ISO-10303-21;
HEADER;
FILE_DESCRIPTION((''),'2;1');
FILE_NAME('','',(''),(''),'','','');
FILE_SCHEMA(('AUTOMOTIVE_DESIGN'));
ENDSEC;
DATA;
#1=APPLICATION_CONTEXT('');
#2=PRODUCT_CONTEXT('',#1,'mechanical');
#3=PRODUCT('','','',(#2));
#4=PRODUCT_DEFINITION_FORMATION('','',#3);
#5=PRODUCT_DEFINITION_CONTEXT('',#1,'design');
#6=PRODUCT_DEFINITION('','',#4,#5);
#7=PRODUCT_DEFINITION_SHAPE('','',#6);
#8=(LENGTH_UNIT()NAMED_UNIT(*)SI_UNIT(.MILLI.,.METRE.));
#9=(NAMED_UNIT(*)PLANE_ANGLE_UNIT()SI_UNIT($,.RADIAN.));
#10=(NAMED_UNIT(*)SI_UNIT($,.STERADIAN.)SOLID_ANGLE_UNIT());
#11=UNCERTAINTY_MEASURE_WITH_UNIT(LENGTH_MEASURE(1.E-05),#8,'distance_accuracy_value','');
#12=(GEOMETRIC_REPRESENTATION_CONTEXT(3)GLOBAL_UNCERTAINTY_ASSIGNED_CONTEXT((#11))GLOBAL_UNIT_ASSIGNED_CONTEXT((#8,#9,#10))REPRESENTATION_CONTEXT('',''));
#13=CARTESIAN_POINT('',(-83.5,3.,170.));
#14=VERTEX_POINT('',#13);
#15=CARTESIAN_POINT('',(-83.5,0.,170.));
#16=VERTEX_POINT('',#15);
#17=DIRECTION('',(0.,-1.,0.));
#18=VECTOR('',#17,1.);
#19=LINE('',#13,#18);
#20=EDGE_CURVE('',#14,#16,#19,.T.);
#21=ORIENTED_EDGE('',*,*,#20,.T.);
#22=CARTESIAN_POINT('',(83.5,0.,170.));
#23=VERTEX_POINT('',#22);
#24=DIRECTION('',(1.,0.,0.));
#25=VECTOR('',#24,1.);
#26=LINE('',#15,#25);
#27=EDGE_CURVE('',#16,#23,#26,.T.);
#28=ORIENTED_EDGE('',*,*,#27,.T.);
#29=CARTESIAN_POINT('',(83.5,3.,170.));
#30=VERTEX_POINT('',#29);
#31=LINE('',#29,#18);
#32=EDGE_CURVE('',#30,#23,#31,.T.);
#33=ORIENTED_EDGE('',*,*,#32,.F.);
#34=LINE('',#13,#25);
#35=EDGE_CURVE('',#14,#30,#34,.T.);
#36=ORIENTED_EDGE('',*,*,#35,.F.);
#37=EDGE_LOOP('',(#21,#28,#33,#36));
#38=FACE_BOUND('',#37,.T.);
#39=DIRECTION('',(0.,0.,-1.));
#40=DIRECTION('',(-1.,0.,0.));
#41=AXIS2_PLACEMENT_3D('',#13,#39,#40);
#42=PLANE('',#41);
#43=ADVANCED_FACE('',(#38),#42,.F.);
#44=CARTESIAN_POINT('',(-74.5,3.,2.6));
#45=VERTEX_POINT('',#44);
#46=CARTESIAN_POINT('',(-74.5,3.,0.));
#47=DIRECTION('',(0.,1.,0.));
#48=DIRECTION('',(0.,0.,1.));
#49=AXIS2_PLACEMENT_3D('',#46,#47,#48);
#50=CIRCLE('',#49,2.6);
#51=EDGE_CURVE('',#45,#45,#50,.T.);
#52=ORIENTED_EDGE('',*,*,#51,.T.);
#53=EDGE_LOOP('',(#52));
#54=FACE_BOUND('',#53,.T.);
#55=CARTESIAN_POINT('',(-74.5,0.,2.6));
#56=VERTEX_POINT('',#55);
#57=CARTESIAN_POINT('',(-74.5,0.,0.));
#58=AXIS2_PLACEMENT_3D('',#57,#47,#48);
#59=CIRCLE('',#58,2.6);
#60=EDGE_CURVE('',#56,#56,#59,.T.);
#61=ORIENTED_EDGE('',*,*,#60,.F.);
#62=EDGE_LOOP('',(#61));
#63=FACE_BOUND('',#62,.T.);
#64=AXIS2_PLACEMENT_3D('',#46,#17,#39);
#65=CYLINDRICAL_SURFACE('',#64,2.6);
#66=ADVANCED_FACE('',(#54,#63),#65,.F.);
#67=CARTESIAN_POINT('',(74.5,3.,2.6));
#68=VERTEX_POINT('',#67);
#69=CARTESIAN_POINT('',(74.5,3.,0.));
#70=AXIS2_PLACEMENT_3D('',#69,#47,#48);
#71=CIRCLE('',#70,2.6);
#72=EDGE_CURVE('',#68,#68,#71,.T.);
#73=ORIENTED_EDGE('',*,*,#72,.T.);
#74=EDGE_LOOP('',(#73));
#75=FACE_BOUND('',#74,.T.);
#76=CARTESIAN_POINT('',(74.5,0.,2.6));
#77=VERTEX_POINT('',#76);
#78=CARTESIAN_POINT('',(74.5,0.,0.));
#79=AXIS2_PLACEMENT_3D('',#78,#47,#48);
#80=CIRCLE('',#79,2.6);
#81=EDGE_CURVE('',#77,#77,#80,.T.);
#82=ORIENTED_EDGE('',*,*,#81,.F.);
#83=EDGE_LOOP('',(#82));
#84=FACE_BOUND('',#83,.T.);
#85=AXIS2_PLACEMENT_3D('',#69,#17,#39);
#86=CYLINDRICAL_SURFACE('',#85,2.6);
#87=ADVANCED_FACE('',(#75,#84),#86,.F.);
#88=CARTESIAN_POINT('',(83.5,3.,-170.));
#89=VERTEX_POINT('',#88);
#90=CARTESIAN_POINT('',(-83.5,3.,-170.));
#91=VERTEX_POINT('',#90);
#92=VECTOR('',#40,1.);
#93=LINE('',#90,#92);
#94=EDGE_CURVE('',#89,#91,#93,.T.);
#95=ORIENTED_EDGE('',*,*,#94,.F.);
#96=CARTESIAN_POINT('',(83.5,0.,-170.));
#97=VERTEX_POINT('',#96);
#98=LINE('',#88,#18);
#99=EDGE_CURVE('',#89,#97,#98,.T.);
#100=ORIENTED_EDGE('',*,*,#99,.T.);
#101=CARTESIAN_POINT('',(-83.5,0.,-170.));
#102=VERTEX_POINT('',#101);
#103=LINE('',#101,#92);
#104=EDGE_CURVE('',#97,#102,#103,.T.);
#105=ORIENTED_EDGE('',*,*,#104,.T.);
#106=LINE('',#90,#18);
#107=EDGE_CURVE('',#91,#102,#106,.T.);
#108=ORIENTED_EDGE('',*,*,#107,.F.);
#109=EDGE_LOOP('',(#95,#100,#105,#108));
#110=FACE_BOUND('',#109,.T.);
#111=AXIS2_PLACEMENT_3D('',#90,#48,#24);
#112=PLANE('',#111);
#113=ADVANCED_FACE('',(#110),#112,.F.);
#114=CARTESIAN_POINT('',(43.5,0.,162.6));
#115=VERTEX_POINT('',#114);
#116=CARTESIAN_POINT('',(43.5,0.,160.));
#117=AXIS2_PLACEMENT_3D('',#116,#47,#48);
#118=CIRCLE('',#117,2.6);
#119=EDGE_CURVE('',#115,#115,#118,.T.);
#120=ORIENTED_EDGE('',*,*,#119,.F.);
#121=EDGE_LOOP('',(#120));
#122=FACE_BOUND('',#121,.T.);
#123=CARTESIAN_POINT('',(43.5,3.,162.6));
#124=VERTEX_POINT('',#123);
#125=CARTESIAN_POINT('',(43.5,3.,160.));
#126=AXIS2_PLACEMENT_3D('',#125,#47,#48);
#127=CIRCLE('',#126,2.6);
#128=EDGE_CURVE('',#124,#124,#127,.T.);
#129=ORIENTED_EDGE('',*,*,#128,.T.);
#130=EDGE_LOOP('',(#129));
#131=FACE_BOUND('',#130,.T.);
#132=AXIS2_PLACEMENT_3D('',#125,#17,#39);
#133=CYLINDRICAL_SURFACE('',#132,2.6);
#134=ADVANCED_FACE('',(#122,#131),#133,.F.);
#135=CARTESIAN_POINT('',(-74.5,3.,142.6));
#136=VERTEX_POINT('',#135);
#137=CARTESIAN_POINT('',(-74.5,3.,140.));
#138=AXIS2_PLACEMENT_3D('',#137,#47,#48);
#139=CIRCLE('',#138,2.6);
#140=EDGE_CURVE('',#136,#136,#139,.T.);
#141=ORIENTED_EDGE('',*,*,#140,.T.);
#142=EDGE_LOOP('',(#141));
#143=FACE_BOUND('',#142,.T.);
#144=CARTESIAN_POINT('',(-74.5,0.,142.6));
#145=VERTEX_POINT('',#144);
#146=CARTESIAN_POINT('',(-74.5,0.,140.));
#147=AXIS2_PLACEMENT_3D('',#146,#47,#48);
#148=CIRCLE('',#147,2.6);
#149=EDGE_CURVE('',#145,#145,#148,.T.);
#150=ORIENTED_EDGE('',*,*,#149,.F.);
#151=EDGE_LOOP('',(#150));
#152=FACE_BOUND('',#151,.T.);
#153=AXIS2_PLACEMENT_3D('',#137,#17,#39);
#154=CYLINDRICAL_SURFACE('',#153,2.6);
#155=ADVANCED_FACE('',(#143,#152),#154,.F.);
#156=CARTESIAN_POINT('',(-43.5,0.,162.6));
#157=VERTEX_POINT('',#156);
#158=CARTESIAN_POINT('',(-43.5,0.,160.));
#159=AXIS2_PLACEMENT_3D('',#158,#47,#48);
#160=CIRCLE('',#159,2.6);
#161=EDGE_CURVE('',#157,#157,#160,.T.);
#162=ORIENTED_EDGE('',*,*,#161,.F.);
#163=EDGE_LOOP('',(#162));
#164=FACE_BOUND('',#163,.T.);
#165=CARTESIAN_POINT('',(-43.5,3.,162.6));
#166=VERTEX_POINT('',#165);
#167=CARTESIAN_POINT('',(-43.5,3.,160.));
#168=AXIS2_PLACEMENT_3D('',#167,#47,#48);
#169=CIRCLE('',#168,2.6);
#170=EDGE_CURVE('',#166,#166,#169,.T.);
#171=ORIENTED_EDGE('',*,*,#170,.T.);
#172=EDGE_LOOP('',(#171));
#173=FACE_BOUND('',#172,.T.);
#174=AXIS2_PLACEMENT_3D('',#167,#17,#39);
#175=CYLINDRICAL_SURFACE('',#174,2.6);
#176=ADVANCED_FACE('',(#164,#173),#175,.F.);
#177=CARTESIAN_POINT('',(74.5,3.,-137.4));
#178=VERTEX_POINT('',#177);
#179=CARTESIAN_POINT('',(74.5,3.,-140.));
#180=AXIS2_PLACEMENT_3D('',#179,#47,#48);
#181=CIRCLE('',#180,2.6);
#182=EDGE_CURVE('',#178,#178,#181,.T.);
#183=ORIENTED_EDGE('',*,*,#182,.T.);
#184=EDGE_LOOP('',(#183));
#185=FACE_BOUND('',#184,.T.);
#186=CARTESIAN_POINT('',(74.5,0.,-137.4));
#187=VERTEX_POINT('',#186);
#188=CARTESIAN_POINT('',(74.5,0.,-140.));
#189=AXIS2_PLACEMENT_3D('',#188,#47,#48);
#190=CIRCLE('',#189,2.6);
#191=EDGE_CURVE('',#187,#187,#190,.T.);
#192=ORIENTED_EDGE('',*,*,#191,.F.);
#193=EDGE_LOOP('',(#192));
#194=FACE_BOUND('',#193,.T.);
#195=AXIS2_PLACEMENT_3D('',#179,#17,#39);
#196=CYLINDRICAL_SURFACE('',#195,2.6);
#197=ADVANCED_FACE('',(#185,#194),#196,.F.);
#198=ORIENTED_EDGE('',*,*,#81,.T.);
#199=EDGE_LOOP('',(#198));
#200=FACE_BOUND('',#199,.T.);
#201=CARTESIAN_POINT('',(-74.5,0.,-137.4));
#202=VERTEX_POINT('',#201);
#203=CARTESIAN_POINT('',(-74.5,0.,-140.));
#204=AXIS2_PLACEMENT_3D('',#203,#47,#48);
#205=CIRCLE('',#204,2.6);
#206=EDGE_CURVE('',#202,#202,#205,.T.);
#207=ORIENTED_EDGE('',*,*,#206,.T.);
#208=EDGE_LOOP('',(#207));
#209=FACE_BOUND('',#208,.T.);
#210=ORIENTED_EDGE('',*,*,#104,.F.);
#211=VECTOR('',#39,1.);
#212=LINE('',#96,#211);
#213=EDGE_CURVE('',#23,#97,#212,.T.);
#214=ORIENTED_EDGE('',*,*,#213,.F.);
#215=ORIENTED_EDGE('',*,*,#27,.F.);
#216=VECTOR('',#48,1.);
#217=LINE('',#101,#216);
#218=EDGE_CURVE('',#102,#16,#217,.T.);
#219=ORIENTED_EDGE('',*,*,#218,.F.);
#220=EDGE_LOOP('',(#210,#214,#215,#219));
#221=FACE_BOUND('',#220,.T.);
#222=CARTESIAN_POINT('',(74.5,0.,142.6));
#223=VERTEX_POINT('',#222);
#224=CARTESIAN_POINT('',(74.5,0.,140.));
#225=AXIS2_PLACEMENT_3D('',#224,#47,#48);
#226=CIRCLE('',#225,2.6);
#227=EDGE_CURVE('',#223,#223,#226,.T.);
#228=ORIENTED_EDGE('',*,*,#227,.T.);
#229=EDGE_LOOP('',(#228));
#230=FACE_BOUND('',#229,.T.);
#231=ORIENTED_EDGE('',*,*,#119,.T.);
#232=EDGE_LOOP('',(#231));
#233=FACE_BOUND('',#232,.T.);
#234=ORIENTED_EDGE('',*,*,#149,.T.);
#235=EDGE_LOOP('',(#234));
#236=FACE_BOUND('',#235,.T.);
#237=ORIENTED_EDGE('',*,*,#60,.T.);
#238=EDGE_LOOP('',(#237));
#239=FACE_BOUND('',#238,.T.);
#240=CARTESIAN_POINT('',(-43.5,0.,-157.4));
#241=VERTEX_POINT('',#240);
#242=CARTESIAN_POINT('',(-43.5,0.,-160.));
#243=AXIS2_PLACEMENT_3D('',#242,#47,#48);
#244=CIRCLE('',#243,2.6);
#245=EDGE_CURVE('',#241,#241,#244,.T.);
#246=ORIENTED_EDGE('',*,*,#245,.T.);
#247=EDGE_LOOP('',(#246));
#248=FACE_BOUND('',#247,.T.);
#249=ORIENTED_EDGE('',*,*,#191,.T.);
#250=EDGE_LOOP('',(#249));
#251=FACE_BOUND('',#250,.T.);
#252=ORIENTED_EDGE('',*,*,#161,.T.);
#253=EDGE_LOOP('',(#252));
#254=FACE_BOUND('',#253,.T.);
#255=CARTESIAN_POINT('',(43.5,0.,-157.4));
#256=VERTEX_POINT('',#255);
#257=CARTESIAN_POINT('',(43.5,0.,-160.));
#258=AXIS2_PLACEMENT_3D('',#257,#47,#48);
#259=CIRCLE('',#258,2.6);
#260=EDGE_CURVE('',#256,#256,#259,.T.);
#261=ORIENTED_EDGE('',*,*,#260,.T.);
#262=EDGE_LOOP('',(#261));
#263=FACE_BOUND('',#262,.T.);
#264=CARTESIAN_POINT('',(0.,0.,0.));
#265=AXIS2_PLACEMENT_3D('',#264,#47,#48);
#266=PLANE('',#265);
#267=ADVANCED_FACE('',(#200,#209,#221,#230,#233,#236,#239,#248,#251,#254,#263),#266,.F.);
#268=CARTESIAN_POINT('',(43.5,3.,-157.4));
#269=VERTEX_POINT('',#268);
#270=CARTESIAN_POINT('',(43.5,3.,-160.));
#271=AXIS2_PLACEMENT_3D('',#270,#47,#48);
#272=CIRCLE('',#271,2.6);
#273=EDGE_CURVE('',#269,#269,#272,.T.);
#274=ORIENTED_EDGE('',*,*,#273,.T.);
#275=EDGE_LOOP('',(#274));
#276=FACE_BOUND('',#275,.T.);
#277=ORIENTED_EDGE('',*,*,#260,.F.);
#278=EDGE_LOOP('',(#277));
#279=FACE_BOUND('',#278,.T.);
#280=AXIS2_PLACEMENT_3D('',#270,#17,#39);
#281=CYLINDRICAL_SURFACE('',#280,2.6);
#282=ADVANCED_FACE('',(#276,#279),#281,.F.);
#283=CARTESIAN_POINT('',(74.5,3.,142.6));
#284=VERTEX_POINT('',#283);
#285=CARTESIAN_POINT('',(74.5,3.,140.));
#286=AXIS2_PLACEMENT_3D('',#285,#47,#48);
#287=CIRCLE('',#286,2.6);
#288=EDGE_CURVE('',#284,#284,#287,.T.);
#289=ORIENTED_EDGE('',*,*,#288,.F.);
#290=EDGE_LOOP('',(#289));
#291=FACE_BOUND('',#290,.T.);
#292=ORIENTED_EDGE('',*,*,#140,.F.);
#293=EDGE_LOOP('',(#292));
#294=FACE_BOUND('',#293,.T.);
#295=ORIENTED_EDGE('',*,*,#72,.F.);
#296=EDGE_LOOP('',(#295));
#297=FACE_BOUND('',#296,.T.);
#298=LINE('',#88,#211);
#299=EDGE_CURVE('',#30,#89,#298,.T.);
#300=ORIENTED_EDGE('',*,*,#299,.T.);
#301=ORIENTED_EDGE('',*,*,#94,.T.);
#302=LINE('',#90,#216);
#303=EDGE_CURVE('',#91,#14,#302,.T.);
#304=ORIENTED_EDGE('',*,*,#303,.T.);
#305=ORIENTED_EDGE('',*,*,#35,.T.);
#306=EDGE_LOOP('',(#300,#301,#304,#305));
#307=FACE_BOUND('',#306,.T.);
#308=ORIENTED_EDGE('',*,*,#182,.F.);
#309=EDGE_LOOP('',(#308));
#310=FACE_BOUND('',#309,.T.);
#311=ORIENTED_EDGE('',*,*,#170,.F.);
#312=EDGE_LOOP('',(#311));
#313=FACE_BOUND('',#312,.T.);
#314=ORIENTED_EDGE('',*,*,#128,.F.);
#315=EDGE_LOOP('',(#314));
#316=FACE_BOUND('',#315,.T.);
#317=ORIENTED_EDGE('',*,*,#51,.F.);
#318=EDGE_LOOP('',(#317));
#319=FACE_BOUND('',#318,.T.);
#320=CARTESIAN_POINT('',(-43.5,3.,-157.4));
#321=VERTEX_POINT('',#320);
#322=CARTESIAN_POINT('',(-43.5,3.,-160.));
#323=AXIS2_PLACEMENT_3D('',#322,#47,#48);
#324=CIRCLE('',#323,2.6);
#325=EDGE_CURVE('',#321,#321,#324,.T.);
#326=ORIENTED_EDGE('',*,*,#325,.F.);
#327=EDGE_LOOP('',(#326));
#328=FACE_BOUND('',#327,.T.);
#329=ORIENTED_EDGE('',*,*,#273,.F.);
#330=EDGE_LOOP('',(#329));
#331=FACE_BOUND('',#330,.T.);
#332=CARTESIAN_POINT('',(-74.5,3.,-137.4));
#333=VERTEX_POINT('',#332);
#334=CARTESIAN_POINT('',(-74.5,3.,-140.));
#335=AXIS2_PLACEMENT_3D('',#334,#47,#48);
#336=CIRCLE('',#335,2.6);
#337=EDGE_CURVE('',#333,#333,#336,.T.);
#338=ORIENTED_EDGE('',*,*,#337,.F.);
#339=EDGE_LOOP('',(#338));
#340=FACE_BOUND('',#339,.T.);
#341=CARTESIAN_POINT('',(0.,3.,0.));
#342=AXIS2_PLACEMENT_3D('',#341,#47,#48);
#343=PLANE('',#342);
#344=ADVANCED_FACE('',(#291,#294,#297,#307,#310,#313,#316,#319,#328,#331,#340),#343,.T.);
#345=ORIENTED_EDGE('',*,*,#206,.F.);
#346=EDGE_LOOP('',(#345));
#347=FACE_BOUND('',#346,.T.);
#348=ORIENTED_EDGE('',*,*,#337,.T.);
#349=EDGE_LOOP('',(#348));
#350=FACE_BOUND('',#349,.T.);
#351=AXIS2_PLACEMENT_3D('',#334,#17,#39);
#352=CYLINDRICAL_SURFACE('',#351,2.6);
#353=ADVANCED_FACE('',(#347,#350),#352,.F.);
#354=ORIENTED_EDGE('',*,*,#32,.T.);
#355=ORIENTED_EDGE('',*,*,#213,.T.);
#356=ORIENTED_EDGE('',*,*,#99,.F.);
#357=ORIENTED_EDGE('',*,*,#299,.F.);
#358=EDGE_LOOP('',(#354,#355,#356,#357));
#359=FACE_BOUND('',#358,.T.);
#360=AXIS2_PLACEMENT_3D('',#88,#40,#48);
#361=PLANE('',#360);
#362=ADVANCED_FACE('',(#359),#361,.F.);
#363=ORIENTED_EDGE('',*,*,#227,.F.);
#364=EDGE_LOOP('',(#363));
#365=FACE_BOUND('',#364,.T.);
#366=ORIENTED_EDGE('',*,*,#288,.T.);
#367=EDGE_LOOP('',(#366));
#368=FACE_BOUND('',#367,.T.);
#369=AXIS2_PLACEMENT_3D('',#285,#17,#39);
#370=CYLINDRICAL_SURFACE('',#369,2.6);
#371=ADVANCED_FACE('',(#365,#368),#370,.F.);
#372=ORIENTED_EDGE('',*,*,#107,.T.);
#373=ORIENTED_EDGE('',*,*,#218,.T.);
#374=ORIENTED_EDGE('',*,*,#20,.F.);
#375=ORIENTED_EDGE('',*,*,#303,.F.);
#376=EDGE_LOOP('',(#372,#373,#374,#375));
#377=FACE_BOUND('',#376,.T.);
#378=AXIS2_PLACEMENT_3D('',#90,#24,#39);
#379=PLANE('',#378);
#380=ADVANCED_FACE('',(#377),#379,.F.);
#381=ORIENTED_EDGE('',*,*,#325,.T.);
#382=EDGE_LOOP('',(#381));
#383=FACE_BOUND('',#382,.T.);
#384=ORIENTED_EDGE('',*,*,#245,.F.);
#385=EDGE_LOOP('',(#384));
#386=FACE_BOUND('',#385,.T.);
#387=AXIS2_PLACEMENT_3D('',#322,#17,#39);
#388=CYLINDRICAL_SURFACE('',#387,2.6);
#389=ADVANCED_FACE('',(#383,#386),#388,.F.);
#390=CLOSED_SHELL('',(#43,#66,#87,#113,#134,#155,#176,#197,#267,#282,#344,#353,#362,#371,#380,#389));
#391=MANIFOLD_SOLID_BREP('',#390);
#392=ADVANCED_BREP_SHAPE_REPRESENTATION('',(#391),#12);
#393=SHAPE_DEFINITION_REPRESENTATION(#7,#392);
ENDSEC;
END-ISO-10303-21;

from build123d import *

# Parameters (mm, degrees)
CROQUIS1_W              = 167
CROQUIS1_H              = 340
CROQUIS1_R              = 2.6
SALIENTE_EXTRUIR1_DEPTH = 3


with BuildPart() as part:
    # Croquis1 → Saliente-Extruir1 (new body)
    with BuildSketch(Plane(origin=(0, 0, 0), x_dir=(1, 0, 0), z_dir=(0, 1, 0))):
        Rectangle(CROQUIS1_W, CROQUIS1_H)
        with Locations(Location((-74.5, 140, 0), (0, 0, 270))):
            Circle(CROQUIS1_R, mode=Mode.SUBTRACT)
        with Locations(Location((-74.5, 0, 0), (0, 0, 270))):
            Circle(CROQUIS1_R, mode=Mode.SUBTRACT)
        with Locations(Location((-74.5, -140, 0), (0, 0, 270))):
            Circle(CROQUIS1_R, mode=Mode.SUBTRACT)
        with Locations(Location((74.5, 140, 0), (0, 0, 270))):
            Circle(CROQUIS1_R, mode=Mode.SUBTRACT)
        with Locations(Location((74.5, -140, 0), (0, 0, 270))):
            Circle(CROQUIS1_R, mode=Mode.SUBTRACT)
        with Locations(Location((74.5, 0, 0), (0, 0, 270))):
            Circle(CROQUIS1_R, mode=Mode.SUBTRACT)
        with Locations(Location((-43.5, 160, 0), (0, 0, 270))):
            Circle(CROQUIS1_R, mode=Mode.SUBTRACT)
        with Locations(Location((43.5, 160, 0), (0, 0, 270))):
            Circle(CROQUIS1_R, mode=Mode.SUBTRACT)
        with Locations(Location((-43.5, -160, 0), (0, 0, 270))):
            Circle(CROQUIS1_R, mode=Mode.SUBTRACT)
        with Locations(Location((43.5, -160, 0), (0, 0, 270))):
            Circle(CROQUIS1_R, mode=Mode.SUBTRACT)
    extrude(amount=SALIENTE_EXTRUIR1_DEPTH)


solid = part.part
